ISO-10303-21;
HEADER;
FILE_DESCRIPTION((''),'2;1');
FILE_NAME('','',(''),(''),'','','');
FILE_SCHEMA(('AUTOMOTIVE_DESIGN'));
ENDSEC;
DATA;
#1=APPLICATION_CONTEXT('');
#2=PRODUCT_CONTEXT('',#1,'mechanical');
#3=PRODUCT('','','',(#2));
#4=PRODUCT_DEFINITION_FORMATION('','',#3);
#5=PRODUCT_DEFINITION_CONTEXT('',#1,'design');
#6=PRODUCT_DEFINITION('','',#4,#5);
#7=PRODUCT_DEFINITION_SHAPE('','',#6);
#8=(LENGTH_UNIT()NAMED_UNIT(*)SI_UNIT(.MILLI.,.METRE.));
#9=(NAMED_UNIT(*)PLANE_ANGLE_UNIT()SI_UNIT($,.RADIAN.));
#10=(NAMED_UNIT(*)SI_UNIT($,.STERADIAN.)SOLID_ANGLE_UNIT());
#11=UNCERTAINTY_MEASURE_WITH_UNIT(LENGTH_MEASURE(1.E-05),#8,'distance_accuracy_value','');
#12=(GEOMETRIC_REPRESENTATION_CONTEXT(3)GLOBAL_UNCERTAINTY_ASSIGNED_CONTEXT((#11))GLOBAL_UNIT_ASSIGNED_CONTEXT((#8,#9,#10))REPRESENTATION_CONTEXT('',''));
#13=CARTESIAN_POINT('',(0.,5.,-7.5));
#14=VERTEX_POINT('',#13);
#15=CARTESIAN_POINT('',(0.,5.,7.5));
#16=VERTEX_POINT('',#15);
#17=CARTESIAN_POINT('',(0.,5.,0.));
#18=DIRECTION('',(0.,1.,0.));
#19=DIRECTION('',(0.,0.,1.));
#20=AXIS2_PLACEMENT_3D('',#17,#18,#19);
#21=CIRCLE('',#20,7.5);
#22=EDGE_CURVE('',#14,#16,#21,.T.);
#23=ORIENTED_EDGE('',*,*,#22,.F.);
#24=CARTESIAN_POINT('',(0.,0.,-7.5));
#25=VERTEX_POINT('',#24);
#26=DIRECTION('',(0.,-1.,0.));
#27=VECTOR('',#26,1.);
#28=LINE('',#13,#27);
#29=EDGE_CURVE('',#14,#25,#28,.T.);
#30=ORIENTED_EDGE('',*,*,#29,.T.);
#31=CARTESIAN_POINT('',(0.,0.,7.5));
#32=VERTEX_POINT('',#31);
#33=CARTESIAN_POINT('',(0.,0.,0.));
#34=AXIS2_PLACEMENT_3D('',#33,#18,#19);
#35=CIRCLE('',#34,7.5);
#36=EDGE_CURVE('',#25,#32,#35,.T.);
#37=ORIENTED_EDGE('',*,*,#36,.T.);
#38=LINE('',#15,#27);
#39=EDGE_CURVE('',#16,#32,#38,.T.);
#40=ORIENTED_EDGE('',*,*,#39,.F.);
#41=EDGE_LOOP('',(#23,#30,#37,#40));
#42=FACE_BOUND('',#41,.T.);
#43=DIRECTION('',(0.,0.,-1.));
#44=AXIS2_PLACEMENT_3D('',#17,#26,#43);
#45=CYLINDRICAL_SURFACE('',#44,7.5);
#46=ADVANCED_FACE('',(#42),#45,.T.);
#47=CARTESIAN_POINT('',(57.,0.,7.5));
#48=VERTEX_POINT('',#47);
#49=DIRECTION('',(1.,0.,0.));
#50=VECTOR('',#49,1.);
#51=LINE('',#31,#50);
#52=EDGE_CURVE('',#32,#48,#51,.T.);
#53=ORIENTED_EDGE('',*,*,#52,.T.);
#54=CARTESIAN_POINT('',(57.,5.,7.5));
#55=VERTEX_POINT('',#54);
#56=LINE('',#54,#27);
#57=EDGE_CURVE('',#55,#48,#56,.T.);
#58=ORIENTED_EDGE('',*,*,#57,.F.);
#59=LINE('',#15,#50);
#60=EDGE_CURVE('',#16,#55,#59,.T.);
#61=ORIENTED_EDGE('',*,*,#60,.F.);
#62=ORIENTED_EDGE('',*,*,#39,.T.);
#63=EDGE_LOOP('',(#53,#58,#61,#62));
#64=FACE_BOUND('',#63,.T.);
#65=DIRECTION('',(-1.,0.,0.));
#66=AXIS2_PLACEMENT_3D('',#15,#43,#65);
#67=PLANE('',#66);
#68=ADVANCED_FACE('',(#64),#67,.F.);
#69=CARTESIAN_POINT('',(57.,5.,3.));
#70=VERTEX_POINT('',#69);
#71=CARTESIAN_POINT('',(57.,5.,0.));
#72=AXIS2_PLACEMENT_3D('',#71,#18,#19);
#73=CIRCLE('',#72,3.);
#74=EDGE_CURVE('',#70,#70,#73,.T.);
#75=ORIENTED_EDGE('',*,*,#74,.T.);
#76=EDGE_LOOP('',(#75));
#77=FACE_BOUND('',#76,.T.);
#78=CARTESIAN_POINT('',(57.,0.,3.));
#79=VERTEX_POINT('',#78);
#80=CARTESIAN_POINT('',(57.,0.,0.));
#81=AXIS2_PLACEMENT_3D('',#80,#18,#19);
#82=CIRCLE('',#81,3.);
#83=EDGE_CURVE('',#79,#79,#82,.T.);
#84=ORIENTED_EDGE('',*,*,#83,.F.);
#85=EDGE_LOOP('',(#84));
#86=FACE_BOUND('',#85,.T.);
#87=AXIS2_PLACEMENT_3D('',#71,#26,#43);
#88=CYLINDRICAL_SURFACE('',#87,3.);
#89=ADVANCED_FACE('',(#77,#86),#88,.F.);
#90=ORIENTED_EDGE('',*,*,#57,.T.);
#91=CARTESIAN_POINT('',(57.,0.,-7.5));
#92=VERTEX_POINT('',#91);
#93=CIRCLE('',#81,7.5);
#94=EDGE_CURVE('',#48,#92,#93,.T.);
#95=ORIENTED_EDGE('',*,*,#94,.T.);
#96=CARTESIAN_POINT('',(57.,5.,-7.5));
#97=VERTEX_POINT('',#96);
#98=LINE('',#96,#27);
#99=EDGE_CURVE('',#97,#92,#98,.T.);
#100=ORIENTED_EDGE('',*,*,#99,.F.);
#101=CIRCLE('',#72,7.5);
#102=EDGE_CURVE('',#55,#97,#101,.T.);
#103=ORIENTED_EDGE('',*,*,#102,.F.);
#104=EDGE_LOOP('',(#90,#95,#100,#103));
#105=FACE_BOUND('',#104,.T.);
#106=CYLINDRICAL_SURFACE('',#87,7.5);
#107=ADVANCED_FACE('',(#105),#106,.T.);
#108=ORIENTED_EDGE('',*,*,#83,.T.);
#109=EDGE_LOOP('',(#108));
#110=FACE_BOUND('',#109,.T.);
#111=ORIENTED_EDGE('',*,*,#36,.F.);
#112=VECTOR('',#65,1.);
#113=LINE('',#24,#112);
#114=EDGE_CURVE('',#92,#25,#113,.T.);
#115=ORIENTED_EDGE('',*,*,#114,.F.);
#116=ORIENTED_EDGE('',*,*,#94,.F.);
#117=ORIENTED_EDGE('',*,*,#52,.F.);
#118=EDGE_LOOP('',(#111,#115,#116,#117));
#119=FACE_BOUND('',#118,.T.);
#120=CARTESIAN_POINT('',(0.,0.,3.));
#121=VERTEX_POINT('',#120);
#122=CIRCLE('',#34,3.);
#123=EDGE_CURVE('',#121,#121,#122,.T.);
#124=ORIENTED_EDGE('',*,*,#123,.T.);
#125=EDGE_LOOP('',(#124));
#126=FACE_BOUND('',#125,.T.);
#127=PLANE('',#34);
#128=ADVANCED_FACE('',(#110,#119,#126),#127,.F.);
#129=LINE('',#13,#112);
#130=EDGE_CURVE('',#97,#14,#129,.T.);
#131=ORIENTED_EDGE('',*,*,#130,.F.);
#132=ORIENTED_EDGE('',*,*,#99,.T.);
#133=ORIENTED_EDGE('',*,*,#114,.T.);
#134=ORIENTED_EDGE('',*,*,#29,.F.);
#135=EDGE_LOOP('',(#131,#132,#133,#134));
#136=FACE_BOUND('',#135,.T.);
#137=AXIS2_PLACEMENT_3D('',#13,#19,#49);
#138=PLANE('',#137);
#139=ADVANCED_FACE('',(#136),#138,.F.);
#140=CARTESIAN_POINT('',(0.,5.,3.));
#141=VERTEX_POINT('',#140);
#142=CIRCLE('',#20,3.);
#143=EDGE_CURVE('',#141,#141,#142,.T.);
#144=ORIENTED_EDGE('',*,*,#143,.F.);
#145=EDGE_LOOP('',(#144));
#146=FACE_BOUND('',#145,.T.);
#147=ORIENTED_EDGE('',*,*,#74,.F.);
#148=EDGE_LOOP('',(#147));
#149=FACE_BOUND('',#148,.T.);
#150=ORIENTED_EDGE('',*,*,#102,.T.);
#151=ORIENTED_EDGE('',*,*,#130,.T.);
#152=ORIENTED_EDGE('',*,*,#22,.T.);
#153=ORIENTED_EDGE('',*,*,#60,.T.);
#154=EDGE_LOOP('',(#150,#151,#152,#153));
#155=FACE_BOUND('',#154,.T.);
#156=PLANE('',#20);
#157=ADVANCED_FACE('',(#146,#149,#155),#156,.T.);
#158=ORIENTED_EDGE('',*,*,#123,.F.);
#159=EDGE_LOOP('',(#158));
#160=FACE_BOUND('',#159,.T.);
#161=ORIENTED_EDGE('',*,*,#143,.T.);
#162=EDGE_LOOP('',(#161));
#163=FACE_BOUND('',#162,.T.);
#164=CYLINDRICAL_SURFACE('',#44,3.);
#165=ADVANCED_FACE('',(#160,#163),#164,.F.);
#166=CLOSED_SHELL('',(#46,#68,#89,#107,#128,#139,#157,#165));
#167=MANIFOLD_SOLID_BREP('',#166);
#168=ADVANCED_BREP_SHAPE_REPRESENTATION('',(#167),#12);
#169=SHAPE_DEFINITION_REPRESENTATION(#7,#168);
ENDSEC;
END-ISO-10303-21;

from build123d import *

# Parameters (mm, degrees)
SKETCH1_R           = 3
BOSS_EXTRUDE1_DEPTH = 5


with BuildPart() as part:
    # Sketch1 → Boss-Extrude1 (new body)
    with BuildSketch(Plane(origin=(0, 0, 0), x_dir=(1, 0, 0), z_dir=(0, 1, 0))):
        with BuildLine():
            Line((0, 7.5), (57, 7.5))
            ThreePointArc((57, 7.5), (64.5, 0), (57, -7.5))
            Line((57, -7.5), (0, -7.5))
            ThreePointArc((0, -7.5), (-7.5, 0), (0, 7.5))
        make_face()
        with Locations((57, 0)):
            Circle(SKETCH1_R, mode=Mode.SUBTRACT)
        Circle(SKETCH1_R, mode=Mode.SUBTRACT)
    extrude(amount=BOSS_EXTRUDE1_DEPTH)


solid = part.part
